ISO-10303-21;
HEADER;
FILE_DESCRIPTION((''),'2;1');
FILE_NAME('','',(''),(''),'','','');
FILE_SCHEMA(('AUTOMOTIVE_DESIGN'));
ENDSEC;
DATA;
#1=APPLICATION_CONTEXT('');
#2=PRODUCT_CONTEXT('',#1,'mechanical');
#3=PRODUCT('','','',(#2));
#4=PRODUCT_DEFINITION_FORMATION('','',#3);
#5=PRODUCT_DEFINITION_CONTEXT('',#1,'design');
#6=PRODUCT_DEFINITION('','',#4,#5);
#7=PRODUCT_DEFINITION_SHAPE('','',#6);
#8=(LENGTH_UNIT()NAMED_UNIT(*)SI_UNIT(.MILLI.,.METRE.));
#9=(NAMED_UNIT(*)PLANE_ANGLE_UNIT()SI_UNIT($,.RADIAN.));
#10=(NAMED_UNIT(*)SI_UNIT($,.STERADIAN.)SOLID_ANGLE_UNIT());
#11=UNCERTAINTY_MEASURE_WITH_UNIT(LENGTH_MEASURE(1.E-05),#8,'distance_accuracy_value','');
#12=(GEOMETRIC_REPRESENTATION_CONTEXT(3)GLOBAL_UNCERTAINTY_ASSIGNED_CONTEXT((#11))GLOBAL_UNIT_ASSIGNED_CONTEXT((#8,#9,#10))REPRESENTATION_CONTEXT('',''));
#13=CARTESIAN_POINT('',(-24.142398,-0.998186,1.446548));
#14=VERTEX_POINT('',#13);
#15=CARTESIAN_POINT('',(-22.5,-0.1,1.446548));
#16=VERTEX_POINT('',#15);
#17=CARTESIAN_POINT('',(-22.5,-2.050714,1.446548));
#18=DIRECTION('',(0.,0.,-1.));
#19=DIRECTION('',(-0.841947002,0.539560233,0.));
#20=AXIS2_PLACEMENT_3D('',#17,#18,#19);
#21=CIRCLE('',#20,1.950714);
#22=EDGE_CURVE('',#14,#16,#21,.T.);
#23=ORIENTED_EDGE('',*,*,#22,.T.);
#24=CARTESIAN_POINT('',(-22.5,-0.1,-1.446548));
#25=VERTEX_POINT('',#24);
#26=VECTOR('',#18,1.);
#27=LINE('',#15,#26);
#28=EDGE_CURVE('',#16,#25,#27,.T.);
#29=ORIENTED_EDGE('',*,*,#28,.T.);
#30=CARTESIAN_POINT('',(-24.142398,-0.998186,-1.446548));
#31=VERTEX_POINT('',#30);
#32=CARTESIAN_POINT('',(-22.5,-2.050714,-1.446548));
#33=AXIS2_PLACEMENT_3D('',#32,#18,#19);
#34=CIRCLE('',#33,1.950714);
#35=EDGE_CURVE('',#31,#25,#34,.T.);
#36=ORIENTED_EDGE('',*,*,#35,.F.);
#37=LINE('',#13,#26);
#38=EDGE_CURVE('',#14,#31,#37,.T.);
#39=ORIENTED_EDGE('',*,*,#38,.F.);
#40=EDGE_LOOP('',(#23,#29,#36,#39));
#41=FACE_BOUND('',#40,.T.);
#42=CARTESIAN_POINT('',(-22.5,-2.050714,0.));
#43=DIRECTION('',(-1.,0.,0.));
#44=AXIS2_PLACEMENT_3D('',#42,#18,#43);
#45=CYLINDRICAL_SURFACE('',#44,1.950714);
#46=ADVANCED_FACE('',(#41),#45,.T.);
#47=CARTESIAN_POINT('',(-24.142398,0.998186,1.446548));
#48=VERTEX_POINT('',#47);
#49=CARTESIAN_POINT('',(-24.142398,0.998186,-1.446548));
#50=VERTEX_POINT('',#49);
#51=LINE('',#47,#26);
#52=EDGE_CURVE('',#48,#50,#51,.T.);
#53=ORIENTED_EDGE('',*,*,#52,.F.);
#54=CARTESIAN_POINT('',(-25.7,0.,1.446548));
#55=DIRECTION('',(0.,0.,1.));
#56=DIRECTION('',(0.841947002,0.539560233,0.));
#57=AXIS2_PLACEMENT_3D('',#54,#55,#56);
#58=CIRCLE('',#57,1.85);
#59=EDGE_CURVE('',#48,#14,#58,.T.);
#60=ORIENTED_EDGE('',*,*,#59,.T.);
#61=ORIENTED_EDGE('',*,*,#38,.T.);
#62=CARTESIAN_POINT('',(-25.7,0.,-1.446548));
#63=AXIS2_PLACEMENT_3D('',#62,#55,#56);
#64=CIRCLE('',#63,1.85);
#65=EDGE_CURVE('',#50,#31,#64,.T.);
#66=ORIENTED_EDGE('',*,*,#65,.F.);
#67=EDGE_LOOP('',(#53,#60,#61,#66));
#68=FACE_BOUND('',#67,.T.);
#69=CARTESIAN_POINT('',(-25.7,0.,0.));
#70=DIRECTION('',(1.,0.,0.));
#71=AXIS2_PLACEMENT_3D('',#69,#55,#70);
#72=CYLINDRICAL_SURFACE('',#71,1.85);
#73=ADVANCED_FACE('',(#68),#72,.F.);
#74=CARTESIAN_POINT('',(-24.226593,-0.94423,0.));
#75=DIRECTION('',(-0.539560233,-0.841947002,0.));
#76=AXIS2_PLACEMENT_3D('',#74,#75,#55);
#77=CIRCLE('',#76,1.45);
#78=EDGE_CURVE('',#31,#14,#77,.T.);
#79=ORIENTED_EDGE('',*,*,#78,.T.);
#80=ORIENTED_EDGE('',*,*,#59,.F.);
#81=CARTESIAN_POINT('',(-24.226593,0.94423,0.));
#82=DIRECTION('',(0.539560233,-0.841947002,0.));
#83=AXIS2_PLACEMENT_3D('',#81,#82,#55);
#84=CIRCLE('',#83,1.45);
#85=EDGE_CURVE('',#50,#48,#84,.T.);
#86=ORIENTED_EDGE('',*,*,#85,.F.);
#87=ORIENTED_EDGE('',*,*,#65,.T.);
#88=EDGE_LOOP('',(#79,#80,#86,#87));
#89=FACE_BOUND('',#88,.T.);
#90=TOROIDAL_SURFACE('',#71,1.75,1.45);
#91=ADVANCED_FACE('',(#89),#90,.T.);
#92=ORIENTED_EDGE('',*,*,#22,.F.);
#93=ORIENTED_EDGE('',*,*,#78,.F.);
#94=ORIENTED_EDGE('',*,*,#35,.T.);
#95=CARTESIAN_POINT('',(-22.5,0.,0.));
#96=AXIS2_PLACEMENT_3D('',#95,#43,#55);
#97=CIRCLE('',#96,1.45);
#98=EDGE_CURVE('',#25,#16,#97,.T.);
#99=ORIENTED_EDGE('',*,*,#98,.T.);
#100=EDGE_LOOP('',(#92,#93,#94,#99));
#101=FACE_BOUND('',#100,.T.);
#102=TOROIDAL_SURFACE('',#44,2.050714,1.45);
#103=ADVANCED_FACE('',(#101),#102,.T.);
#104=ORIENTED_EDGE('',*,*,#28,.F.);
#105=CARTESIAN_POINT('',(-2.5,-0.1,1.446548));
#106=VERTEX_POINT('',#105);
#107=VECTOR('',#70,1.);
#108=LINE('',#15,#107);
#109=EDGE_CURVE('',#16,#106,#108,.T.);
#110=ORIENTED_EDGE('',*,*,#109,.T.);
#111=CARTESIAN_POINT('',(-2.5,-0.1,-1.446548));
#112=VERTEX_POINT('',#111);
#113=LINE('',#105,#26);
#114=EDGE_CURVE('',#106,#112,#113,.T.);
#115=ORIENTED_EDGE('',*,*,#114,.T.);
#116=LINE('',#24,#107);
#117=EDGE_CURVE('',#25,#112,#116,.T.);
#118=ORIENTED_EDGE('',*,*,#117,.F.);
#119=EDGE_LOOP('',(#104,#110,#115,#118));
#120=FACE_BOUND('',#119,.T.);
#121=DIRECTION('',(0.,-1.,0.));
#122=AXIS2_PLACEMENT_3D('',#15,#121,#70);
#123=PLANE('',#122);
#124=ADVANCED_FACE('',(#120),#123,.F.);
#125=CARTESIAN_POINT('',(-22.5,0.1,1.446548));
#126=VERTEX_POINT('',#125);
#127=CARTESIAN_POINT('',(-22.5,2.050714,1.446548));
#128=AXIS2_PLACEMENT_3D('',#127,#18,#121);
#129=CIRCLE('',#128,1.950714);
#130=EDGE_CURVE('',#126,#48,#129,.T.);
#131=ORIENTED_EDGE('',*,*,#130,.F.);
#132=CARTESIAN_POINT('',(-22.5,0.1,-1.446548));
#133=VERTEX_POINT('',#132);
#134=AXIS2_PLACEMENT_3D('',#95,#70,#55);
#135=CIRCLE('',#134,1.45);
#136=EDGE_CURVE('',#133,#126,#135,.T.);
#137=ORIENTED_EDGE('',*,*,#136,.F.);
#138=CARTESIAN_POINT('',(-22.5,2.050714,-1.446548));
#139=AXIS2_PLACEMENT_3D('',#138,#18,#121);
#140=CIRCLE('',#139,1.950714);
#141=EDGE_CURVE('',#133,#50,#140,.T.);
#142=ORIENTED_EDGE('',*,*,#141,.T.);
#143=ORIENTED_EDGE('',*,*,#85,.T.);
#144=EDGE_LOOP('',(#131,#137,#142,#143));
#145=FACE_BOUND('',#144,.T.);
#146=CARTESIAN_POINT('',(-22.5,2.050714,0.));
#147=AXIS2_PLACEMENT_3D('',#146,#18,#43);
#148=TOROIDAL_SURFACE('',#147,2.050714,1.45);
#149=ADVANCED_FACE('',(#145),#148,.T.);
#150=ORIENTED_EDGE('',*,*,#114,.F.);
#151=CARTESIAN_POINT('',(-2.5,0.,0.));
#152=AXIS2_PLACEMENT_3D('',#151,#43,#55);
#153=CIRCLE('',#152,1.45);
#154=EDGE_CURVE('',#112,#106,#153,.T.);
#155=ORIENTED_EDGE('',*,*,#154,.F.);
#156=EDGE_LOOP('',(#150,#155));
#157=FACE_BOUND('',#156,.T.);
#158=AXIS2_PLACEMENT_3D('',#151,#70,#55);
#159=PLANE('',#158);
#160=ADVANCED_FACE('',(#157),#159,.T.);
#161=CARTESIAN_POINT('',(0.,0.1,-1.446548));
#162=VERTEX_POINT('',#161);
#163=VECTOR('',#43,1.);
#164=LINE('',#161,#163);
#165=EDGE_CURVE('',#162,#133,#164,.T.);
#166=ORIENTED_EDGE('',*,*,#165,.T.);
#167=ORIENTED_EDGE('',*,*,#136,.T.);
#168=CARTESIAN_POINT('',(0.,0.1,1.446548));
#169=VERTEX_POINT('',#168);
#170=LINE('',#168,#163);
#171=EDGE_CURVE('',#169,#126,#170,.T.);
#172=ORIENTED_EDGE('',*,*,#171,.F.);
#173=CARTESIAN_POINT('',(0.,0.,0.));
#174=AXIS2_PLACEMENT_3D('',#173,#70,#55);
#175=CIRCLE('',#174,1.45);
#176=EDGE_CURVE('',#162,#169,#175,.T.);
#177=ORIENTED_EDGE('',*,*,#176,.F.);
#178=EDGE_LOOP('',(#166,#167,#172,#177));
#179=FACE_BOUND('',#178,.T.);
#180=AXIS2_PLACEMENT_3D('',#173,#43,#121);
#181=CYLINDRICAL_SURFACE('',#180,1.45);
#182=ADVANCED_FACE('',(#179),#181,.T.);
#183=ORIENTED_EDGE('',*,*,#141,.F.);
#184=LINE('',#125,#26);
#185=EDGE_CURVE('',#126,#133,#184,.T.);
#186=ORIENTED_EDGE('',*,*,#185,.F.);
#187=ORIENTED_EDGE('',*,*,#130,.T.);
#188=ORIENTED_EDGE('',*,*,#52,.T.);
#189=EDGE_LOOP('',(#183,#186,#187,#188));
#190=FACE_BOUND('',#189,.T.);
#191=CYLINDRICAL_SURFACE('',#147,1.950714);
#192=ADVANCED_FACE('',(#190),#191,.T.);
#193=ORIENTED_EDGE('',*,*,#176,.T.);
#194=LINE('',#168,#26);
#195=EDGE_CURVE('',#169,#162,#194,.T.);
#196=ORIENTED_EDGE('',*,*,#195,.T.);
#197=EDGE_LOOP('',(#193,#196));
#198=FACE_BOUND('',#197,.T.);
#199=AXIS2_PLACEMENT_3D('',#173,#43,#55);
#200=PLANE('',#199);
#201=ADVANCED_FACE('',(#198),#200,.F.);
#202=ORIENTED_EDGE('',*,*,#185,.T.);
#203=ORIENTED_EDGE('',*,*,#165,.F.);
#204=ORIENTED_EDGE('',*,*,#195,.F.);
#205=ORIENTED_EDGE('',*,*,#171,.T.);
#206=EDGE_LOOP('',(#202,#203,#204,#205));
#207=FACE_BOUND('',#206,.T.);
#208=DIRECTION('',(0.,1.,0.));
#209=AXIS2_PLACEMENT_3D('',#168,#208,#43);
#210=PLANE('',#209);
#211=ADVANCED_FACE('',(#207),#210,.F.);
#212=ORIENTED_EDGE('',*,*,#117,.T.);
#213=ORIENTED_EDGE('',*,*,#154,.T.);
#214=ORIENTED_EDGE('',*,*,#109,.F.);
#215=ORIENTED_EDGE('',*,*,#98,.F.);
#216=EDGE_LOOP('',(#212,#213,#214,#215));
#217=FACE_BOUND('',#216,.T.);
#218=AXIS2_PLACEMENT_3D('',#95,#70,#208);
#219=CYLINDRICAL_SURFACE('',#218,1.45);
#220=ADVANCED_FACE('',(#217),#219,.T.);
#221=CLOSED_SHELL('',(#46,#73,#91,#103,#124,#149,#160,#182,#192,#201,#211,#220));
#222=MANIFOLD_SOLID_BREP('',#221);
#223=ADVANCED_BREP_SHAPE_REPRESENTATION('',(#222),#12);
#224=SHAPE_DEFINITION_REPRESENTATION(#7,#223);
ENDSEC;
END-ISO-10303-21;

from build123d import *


with BuildPart() as part:
    # По траектории1: sweep along a path in Эскиз2
    with BuildLine(Plane.XY) as sweep_1_path:
        Line((0, 1.45), (-22.5, 1.45))
        ThreePointArc((-22.5, 1.45), (-22.788230128, 1.523664908), (-23.005769592, 1.726592746))
        ThreePointArc((-23.005769592, 1.726592746), (-28.9, 0), (-23.005769592, -1.726592746))
        ThreePointArc((-23.005769592, -1.726592746), (-22.788230128, -1.523664908), (-22.5, -1.45))
        Line((-22.5, -1.45), (-2.5, -1.45))
    # Эскиз1 → По траектории1 (sweep)
    with BuildSketch(Plane(origin=(0, 0, 0), x_dir=(0, 0, -1), z_dir=(1, 0, 0))):
        with BuildLine():
            Line((-1.446547614, 0.1), (1.446547614, 0.1))
            ThreePointArc((1.446547614, 0.1), (0, 1.45), (-1.446547614, 0.1))
        make_face()
    sweep(path=sweep_1_path.line)


solid = part.part
